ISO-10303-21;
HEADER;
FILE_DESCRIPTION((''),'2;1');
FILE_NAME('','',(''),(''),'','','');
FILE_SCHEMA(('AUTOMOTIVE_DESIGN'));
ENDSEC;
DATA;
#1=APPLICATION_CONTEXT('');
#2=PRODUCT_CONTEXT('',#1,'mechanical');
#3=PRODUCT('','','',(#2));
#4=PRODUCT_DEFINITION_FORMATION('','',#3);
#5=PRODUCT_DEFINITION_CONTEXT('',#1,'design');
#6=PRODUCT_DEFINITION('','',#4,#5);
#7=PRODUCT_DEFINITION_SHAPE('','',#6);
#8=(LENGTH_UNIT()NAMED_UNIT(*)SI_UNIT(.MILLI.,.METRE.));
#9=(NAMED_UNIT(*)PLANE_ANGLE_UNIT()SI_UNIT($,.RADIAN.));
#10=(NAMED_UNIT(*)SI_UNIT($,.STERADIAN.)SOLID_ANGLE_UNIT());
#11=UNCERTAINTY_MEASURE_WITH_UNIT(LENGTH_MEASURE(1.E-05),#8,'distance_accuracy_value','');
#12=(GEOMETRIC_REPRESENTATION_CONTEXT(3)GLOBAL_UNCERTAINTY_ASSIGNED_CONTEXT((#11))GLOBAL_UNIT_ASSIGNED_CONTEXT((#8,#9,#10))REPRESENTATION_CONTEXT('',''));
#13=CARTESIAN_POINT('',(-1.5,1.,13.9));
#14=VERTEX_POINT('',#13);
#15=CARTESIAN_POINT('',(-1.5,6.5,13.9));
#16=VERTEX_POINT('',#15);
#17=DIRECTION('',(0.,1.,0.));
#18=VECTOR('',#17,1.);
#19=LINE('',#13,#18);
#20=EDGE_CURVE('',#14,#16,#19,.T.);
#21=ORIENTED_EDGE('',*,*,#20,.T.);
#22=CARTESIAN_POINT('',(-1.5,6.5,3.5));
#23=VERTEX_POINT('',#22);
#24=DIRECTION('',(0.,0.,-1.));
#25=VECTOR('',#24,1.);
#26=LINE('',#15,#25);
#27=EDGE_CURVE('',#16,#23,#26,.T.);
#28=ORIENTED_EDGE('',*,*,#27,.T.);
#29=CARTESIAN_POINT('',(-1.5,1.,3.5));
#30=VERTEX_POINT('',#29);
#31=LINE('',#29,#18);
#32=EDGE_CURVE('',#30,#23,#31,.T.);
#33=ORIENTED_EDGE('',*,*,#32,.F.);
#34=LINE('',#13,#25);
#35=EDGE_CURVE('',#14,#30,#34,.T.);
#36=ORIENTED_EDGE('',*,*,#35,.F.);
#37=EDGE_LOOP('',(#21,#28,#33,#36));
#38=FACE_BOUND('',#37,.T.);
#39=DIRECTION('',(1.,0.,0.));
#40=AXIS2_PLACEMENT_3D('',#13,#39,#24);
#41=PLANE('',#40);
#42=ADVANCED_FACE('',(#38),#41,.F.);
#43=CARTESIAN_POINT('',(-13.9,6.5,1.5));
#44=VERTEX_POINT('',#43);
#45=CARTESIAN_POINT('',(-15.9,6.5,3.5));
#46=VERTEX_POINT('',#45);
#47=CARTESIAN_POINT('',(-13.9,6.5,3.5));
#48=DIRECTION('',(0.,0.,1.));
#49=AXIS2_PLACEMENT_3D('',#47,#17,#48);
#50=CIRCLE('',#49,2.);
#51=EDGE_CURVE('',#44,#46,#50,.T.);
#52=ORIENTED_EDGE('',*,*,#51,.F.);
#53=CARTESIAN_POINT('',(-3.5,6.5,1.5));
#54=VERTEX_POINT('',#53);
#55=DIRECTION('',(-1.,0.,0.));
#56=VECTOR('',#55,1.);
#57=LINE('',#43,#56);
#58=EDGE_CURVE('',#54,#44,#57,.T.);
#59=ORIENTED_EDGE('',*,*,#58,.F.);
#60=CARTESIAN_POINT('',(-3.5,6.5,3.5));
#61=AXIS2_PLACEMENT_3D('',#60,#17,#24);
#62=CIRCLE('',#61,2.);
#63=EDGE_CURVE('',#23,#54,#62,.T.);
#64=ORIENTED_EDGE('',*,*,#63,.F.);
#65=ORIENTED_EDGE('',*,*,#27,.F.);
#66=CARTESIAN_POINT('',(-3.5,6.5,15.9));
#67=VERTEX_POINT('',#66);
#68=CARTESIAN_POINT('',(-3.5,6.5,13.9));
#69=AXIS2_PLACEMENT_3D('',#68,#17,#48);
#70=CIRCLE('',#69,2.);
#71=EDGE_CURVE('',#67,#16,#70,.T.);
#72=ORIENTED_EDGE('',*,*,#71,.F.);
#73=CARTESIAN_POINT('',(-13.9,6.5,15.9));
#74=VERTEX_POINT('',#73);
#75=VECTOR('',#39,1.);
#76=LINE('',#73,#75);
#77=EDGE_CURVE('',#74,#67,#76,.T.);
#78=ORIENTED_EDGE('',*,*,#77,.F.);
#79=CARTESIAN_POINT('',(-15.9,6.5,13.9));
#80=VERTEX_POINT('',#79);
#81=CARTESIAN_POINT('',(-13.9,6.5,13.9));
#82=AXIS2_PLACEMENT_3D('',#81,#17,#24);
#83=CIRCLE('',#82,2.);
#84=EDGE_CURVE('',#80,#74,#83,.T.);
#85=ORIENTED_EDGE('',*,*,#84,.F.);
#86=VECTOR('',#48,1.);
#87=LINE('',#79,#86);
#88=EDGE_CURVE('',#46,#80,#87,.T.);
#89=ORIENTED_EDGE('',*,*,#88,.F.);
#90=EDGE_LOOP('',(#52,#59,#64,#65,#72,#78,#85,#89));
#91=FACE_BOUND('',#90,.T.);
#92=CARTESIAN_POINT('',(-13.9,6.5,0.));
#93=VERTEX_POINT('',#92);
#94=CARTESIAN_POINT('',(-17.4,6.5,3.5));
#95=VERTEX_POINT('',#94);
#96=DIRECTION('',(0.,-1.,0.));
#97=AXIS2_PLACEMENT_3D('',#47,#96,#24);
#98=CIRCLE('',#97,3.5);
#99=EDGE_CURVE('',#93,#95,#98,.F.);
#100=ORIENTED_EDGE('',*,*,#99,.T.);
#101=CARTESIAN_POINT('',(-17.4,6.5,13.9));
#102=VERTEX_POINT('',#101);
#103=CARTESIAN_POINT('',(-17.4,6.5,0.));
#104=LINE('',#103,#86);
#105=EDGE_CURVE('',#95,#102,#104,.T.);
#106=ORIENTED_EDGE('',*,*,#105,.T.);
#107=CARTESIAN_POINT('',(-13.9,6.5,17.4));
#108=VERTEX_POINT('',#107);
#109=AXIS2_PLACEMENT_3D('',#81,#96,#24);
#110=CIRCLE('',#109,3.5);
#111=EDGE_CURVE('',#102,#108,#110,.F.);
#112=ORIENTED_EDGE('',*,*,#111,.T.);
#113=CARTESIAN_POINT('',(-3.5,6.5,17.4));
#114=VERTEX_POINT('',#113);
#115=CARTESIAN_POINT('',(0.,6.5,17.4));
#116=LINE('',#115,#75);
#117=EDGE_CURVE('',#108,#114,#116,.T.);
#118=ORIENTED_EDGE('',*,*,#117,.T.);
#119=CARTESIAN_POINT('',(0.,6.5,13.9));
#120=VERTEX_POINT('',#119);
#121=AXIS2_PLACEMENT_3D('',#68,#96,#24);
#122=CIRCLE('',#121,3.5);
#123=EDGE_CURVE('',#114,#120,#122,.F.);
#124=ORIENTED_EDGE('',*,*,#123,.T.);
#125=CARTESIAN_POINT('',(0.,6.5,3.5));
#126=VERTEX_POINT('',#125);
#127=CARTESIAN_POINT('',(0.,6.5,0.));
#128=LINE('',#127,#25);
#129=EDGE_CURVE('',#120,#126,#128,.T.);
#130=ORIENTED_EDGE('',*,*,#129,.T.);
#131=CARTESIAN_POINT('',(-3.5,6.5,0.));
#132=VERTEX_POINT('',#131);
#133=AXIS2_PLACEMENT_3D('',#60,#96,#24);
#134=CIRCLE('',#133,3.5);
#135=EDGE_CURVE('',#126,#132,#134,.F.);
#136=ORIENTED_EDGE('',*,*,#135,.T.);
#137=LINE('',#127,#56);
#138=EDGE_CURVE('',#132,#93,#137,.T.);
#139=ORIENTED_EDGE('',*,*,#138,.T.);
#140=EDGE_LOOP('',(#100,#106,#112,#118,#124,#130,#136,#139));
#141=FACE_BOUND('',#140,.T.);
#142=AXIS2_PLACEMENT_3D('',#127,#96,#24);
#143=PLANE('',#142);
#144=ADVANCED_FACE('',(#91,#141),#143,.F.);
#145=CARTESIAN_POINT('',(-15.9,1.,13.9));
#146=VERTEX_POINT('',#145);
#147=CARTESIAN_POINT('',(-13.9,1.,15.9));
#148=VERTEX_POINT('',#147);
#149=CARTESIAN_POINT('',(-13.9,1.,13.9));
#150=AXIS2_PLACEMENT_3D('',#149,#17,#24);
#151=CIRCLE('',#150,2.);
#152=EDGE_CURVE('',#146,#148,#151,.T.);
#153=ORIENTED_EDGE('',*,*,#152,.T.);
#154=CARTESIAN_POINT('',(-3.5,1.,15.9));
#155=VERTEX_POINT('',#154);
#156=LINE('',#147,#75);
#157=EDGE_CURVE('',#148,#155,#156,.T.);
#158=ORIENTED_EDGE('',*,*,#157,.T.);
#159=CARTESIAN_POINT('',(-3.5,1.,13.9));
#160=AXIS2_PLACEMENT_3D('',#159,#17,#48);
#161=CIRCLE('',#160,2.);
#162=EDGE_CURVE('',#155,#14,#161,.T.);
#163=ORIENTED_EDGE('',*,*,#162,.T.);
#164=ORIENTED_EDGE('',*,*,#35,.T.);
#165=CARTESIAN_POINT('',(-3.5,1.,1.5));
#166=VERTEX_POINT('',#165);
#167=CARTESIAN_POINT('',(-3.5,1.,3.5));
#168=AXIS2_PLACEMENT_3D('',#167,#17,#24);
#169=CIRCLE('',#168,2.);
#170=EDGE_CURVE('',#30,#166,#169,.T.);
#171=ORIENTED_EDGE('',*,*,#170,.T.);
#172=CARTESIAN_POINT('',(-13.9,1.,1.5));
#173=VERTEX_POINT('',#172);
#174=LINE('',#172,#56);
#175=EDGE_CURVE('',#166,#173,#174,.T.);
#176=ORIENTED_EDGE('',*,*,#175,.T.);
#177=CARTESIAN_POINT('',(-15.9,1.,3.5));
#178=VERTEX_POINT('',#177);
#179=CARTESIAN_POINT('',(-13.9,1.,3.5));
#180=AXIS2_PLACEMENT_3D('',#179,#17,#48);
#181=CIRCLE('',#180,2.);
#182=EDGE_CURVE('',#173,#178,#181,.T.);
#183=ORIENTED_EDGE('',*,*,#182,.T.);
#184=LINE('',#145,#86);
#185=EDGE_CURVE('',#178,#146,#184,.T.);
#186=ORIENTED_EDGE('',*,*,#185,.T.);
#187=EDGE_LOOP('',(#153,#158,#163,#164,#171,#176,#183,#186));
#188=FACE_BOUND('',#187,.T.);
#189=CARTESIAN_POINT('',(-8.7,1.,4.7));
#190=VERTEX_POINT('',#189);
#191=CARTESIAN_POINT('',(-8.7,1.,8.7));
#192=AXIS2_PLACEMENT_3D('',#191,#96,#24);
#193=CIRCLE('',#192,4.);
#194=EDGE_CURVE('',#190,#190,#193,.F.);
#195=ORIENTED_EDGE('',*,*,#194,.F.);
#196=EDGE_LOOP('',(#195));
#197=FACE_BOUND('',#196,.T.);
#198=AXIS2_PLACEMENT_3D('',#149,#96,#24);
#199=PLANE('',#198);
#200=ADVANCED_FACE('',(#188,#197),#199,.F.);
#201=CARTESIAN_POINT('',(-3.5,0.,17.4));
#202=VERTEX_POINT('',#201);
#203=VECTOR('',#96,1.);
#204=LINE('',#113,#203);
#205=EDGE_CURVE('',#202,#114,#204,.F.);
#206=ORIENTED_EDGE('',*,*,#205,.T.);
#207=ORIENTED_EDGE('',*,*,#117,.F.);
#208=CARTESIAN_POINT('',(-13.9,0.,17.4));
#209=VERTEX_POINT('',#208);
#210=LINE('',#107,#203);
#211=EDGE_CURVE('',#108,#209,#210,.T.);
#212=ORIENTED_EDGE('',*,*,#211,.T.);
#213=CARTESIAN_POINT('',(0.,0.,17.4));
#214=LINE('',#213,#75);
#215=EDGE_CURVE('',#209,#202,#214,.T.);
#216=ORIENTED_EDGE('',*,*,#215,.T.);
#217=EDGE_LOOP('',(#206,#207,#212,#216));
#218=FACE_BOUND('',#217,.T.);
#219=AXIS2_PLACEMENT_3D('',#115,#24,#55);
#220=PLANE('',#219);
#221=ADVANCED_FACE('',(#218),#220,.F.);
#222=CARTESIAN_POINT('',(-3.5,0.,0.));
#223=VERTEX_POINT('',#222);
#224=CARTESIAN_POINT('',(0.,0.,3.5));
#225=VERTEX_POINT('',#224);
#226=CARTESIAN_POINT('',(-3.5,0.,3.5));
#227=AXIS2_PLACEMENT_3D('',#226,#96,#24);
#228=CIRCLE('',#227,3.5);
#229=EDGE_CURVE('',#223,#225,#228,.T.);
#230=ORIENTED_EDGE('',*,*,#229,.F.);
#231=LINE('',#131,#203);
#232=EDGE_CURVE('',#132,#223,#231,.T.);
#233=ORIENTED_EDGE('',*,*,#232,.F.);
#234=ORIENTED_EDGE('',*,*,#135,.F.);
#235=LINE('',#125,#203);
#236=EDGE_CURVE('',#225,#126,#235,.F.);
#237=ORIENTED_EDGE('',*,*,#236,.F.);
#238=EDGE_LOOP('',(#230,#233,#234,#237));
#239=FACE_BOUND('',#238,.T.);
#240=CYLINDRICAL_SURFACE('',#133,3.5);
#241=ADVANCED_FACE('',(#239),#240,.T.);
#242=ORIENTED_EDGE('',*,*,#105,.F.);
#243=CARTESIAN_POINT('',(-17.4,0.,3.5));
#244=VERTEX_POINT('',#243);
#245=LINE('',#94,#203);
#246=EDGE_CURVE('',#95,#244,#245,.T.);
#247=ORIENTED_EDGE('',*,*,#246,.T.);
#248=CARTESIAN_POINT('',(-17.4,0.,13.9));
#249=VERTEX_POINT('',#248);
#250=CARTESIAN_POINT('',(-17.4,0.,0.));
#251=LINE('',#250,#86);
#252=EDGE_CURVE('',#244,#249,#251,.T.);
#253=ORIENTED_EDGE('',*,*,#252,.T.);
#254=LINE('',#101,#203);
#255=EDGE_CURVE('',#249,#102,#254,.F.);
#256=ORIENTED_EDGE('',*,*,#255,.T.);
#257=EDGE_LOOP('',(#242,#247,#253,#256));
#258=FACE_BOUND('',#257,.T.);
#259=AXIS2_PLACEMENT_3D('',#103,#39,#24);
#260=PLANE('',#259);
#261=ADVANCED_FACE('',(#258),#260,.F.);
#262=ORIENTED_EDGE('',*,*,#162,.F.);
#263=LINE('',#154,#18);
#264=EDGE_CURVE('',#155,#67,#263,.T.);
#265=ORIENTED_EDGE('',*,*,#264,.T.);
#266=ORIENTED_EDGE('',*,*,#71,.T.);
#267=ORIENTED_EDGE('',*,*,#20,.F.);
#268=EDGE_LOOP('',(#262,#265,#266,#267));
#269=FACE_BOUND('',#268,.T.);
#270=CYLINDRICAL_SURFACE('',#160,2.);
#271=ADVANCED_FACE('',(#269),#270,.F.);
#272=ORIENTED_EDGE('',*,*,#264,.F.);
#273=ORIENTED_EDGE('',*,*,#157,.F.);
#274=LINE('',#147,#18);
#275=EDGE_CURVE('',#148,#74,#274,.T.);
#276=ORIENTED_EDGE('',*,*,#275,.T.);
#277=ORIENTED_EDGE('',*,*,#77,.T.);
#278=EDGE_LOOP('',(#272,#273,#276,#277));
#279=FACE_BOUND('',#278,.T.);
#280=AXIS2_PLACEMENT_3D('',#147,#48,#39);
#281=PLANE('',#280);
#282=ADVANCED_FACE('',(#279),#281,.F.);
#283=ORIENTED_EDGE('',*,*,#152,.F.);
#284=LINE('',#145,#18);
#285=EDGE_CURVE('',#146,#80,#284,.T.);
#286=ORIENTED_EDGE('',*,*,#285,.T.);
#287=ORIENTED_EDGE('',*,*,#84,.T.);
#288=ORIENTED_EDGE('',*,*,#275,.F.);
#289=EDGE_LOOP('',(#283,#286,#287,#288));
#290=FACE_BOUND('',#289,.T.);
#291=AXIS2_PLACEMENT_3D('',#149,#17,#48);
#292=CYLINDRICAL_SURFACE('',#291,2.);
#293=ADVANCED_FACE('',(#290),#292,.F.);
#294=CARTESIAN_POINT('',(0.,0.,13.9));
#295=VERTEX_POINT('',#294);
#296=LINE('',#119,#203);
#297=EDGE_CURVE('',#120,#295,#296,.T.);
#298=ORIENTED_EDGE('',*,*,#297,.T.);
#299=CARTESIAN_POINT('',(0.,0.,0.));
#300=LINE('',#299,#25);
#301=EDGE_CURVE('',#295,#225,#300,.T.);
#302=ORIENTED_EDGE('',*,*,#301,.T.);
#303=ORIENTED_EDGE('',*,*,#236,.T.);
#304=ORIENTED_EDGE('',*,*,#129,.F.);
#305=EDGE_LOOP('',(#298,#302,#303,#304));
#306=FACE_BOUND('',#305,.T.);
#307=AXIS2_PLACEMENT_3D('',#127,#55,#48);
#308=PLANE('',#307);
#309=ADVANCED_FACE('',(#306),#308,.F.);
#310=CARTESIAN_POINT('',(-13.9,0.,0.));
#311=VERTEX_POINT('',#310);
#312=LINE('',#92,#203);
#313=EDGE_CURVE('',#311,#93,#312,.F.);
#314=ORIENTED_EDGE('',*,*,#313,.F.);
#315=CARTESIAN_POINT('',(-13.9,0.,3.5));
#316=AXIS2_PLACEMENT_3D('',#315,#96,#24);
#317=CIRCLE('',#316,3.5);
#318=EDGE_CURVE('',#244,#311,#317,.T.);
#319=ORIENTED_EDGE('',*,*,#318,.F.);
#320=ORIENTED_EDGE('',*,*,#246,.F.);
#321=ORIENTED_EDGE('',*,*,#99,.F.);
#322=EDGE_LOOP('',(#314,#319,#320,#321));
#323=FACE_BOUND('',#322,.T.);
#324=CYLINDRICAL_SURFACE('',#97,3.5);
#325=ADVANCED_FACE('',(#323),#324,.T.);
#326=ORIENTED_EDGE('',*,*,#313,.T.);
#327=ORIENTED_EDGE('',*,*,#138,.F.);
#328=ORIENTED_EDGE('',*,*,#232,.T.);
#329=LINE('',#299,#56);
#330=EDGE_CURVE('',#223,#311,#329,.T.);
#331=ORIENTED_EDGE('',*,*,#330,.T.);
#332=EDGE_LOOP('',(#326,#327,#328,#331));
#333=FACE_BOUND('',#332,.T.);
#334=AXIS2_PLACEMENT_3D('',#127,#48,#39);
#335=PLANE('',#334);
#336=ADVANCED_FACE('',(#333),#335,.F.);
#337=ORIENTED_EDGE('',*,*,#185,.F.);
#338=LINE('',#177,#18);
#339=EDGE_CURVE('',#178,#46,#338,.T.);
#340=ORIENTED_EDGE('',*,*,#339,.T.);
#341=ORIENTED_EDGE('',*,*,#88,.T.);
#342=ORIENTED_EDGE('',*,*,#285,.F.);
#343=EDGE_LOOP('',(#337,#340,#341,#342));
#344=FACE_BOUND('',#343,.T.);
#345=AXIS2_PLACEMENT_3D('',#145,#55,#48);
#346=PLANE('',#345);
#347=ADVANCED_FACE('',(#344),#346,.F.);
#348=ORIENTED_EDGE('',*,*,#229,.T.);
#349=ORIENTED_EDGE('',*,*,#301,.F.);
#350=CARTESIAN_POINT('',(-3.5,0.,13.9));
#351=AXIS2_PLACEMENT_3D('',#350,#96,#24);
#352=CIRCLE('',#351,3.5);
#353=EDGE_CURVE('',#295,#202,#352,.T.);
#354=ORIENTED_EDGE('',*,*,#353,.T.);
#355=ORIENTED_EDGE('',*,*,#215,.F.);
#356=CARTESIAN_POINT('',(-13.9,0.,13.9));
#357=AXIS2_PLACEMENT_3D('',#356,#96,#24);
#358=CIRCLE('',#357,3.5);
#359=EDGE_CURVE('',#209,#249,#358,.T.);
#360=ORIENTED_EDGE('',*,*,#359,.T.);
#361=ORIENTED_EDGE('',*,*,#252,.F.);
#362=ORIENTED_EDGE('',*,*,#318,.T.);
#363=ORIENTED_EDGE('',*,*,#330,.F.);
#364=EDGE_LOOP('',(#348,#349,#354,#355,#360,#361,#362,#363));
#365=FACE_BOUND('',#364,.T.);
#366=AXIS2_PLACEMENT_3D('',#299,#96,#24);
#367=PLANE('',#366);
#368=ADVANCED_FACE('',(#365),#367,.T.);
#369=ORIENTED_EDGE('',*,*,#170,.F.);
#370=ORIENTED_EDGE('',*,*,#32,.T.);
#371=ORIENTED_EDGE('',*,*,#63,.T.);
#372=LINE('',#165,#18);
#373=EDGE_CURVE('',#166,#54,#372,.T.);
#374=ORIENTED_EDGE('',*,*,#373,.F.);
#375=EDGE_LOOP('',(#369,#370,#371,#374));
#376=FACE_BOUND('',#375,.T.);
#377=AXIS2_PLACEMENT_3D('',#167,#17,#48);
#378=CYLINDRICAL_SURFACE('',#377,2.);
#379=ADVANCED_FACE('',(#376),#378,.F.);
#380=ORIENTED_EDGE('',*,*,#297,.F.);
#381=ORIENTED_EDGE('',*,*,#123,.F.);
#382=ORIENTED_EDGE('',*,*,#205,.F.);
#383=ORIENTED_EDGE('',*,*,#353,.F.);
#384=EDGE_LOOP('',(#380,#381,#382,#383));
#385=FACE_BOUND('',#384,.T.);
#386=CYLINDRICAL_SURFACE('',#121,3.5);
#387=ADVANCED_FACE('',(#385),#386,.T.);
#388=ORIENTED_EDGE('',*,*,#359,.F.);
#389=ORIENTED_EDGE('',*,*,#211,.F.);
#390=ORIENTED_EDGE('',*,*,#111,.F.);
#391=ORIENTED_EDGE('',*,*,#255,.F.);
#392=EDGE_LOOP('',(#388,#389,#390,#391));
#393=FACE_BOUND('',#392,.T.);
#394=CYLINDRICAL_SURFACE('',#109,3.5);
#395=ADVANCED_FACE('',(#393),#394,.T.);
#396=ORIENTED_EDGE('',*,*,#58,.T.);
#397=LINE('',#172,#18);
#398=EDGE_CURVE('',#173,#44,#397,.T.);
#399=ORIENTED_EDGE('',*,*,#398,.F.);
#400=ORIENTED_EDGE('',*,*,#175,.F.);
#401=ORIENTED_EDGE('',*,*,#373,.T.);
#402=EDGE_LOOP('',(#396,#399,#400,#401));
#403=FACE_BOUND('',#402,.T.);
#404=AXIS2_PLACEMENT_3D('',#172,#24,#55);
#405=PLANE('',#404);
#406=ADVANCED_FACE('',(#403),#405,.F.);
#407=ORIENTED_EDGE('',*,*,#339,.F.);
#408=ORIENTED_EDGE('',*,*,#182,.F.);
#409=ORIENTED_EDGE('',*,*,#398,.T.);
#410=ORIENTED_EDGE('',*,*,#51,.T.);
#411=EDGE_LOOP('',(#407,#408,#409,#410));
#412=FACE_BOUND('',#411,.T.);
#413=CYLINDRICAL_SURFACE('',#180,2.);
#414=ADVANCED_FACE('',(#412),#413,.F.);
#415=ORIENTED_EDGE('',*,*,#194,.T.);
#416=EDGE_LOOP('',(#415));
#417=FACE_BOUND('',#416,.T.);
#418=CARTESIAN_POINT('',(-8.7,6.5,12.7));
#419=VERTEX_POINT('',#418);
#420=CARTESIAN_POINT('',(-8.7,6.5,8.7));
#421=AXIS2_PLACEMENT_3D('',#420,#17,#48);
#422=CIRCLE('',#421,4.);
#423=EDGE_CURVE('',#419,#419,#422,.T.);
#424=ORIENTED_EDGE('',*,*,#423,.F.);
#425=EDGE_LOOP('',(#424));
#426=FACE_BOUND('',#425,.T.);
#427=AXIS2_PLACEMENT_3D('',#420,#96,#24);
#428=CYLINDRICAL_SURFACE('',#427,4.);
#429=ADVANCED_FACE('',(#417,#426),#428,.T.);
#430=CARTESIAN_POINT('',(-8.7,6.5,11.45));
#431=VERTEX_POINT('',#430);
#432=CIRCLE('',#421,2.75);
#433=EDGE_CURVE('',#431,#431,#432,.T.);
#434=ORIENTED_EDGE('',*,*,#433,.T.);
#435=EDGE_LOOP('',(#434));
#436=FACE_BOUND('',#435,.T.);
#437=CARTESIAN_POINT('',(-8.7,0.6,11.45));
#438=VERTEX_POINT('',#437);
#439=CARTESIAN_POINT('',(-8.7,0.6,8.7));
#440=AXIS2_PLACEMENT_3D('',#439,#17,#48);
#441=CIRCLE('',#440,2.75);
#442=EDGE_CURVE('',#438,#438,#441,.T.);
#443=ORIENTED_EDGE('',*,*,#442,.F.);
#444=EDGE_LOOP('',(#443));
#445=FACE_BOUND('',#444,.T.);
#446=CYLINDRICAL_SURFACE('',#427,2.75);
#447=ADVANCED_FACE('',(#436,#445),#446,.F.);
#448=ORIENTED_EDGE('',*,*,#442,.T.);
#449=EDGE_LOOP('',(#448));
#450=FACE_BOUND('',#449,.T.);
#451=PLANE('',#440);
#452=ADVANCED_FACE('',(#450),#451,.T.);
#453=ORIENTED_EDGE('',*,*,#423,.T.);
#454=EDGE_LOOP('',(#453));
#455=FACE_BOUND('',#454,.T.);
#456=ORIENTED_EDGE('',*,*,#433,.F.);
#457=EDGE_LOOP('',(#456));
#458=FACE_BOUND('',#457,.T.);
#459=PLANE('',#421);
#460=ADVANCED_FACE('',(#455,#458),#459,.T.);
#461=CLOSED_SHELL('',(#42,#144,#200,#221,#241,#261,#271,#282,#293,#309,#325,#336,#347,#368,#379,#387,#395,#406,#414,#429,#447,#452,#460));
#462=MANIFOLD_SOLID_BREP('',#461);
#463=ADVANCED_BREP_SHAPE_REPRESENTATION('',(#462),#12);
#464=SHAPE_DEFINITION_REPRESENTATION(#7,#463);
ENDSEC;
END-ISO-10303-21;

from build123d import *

# Parameters (mm, degrees)
SKETCH1_W           = 17.4
SKETCH1_H           = 17.4
BOSS_EXTRUDE1_DEPTH = 6.5
FILLET1_R           = 3.5
CUT_EXTRUDE1_DEPTH  = 5.5
SKETCH3_R           = 4
SKETCH3_R_2         = 2.75
BOSS_EXTRUDE2_DEPTH = 5.5
SKETCH4_R           = 2.75
CUT_EXTRUDE2_DEPTH  = 0.4


with BuildPart() as part:
    # Sketch1 → Boss-Extrude1 (new body)
    with BuildSketch(Plane(origin=(0, 0, 0), x_dir=(1, 0, 0), z_dir=(0, 1, 0))):
        with Locations((-8.7, -8.7)):
            Rectangle(SKETCH1_W, SKETCH1_H)
    extrude(amount=BOSS_EXTRUDE1_DEPTH)

    # Fillet1
    fillet1_edges = [part.edges().sort_by_distance(p)[0] for p in [
        (0, 3.25, 17.4),
        (-17.4, 3.25, 17.4),
        (-17.4, 3.25, 0),
        (0, 3.25, 0),
    ]]
    fillet(fillet1_edges, radius=FILLET1_R)

    # Sketch2 → Cut-Extrude1 (cut)
    with BuildSketch(Plane(origin=(0, 6.5, 0), x_dir=(1, 0, 0), z_dir=(0, 1, 0))):
        with BuildLine():
            Line((-13.9, -15.9), (-3.5, -15.9))
            ThreePointArc((-3.5, -15.9), (-2.085786438, -15.314213562), (-1.5, -13.9))
            Line((-1.5, -13.9), (-1.5, -3.5))
            ThreePointArc((-1.5, -3.5), (-2.085786438, -2.085786438), (-3.5, -1.5))
            Line((-3.5, -1.5), (-13.9, -1.5))
            ThreePointArc((-13.9, -1.5), (-15.314213562, -2.085786438), (-15.9, -3.5))
            Line((-15.9, -3.5), (-15.9, -13.9))
            ThreePointArc((-15.9, -13.9), (-15.314213562, -15.314213562), (-13.9, -15.9))
        make_face()
    extrude(amount=-CUT_EXTRUDE1_DEPTH, mode=Mode.SUBTRACT)

    # Sketch3 → Boss-Extrude2 (add)
    with BuildSketch(Plane(origin=(0, 1, 0), x_dir=(1, 0, 0), z_dir=(0, 1, 0))):
        with Locations((-8.7, -8.7)):
            Circle(SKETCH3_R)
        with Locations((-8.7, -8.7)):
            Circle(SKETCH3_R_2, mode=Mode.SUBTRACT)
    extrude(amount=BOSS_EXTRUDE2_DEPTH)

    # Sketch4 → Cut-Extrude2 (cut)
    with BuildSketch(Plane(origin=(0, 1, 0), x_dir=(1, 0, 0), z_dir=(0, 1, 0))):
        with Locations((-8.7, -8.7)):
            Circle(SKETCH4_R)
    extrude(amount=-CUT_EXTRUDE2_DEPTH, mode=Mode.SUBTRACT)


solid = part.part
